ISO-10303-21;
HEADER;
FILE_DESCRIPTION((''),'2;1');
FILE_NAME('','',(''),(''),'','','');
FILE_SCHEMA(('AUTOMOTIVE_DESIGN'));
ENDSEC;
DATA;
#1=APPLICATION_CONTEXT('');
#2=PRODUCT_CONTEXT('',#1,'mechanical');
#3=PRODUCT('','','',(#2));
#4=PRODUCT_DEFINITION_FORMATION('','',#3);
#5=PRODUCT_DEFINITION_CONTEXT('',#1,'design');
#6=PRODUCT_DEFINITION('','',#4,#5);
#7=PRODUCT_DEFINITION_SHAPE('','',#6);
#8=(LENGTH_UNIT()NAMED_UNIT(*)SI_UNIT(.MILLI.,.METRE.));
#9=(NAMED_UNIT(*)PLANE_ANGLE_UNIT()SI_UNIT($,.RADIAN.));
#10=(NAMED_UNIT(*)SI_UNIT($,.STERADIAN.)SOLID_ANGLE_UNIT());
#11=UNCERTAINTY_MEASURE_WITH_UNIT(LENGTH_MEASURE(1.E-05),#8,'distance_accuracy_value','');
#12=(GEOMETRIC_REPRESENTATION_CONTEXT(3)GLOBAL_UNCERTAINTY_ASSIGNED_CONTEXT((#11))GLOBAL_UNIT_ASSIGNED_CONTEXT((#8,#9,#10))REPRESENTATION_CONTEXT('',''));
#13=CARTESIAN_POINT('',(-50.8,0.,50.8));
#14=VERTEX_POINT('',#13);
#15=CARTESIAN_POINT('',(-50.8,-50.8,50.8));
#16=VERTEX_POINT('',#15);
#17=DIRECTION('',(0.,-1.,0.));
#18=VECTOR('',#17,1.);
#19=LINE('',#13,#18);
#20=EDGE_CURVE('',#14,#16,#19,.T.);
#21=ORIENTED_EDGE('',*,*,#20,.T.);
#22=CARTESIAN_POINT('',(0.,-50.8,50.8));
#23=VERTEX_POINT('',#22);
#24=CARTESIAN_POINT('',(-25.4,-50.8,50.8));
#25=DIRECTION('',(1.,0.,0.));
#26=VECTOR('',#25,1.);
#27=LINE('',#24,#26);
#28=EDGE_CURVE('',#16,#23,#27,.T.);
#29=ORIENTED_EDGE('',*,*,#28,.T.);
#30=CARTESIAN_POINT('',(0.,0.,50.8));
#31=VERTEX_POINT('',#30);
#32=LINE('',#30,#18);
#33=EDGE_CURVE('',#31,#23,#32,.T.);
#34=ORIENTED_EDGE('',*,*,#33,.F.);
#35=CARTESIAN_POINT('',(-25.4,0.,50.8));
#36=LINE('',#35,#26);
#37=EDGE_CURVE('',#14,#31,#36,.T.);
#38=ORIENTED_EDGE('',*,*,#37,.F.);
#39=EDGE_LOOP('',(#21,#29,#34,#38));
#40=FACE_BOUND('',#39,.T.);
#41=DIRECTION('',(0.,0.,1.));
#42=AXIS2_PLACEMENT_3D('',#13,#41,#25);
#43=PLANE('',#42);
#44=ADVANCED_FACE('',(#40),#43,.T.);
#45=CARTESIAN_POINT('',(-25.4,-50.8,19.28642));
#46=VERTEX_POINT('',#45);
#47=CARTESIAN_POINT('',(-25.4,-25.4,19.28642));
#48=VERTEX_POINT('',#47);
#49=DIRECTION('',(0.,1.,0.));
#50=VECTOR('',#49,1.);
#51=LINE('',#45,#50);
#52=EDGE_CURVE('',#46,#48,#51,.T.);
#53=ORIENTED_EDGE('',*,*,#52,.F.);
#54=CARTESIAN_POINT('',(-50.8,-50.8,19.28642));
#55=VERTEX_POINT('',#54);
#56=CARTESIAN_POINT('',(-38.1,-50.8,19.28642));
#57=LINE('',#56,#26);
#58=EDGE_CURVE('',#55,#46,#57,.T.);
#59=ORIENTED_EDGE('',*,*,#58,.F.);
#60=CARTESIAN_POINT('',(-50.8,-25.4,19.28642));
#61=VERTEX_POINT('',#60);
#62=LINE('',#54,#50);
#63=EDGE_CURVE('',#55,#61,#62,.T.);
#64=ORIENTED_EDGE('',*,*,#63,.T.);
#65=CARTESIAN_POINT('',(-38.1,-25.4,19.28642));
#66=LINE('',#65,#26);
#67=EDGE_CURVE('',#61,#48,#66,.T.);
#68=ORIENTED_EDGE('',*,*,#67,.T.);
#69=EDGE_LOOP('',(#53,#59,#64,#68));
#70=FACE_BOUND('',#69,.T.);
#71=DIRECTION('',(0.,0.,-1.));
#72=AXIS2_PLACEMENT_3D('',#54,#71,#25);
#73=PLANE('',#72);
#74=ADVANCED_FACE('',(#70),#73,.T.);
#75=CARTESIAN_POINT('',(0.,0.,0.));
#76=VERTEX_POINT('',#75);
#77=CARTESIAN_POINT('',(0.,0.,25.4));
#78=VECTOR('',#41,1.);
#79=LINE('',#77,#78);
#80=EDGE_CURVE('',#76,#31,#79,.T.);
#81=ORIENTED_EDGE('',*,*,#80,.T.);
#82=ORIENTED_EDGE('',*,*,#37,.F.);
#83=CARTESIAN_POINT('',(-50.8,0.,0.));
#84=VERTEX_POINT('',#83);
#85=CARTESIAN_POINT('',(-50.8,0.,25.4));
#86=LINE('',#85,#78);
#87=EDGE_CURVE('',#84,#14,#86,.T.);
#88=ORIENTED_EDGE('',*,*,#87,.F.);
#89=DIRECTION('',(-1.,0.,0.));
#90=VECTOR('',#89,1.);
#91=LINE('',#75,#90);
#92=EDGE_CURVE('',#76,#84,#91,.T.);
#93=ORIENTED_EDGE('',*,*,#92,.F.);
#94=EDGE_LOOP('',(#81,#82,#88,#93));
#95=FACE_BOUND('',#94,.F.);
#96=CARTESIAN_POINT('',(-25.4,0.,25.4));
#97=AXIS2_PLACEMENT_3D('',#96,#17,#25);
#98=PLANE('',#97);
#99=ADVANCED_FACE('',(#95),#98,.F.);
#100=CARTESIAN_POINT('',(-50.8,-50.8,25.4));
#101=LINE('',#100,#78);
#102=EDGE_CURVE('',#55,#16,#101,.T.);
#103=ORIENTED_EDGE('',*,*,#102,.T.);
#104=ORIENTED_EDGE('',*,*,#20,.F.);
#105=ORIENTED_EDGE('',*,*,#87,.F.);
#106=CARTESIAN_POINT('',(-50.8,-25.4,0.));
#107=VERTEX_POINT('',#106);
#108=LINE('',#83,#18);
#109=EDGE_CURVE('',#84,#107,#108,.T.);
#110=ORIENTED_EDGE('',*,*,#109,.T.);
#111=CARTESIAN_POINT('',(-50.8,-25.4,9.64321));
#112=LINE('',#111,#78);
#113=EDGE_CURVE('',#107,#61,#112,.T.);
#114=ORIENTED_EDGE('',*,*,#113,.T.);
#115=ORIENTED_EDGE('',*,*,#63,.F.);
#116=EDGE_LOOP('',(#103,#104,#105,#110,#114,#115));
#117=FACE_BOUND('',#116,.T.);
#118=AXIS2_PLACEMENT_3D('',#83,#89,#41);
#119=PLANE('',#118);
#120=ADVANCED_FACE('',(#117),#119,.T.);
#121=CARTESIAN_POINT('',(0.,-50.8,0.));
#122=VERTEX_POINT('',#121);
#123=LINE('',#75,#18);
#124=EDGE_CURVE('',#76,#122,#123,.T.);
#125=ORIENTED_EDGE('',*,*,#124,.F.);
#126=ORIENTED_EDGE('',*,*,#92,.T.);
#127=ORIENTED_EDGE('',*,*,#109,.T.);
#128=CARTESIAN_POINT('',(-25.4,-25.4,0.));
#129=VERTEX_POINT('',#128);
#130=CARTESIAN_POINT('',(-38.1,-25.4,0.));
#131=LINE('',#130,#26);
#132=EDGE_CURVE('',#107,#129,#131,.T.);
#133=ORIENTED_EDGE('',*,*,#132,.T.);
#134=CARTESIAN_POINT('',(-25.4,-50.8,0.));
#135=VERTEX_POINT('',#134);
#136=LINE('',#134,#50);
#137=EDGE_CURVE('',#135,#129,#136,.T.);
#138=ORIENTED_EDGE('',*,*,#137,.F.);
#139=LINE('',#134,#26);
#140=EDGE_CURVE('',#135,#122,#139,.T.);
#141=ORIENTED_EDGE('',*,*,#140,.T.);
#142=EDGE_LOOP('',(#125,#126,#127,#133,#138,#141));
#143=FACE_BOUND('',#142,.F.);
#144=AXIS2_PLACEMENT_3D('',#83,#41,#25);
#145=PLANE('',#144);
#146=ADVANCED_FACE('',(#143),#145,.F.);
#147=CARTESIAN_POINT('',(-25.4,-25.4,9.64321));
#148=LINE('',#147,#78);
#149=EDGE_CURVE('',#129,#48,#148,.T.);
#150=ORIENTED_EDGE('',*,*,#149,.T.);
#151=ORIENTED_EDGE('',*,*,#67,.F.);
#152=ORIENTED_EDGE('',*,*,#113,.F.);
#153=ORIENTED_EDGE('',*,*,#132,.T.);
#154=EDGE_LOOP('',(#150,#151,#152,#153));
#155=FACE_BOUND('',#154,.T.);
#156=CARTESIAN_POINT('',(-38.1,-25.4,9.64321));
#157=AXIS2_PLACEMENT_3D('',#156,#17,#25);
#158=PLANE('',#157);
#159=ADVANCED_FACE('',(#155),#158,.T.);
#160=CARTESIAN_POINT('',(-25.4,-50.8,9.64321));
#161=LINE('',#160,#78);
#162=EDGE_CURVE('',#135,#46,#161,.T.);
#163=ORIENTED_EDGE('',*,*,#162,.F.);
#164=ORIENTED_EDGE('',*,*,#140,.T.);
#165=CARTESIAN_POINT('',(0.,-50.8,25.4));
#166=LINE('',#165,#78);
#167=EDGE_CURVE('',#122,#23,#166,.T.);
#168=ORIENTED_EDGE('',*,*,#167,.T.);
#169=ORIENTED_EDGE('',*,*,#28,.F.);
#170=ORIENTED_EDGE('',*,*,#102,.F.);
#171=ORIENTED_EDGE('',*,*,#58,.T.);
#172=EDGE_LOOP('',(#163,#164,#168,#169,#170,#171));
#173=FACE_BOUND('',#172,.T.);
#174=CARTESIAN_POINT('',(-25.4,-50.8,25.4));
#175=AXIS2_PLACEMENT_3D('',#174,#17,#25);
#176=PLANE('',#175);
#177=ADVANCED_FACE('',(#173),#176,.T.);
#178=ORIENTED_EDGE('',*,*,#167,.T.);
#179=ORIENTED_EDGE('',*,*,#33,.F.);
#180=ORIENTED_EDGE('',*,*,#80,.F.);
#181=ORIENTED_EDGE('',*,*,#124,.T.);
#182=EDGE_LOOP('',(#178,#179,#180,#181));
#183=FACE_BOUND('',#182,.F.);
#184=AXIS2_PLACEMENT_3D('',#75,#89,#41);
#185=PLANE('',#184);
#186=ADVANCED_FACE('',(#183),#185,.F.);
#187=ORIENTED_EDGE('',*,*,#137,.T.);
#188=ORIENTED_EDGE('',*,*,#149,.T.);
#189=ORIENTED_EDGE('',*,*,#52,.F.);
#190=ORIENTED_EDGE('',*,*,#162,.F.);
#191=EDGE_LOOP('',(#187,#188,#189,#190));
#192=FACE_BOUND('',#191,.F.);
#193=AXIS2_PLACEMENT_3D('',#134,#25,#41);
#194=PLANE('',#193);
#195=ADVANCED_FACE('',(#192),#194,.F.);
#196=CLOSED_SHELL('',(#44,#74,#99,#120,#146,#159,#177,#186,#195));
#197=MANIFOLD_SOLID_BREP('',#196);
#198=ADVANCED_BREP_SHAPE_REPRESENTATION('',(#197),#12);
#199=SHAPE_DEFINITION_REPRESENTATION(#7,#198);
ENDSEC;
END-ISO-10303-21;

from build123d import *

# Parameters (mm, degrees)
F0_W     = 50.8
F0_H     = 50.8
F1_DEPTH = 50.8
F2_W     = 25.4
F2_H     = 25.4
F3_DEPTH = 25.4
F4_W     = 25.4
F4_H     = 25.4
F5_DEPTH = 25.4
F6_W     = 25.4
F6_H     = 19.28642
F7_DEPTH = 25.4


with BuildPart() as f1:
    # F0 (on Front) → F1 (new body)
    with BuildSketch(Plane.XZ):
        with Locations((-25.4, 25.4)):
            Rectangle(F0_W, F0_H)
    extrude(amount=F1_DEPTH)

    # F2 (on Front) → F3 (cut)
    with BuildSketch(Plane.XZ):
        with Locations((-37.521074, 12.7)):
            Rectangle(F2_W, F2_H)
    extrude(amount=-F3_DEPTH, mode=Mode.SUBTRACT)

    # F4 (on Front) → F5 (cut)
    with BuildSketch(Plane.XZ):
        with Locations((-37.33012, 12.7)):
            Rectangle(F4_W, F4_H)
    extrude(amount=-F5_DEPTH, mode=Mode.SUBTRACT)

    # F6 (on face) → F7 (cut)
    with BuildSketch(Plane.XZ.offset(50.8)):
        with Locations((-38.1, 9.64321)):
            Rectangle(F6_W, F6_H)
    extrude(amount=-F7_DEPTH, mode=Mode.SUBTRACT)


solid = f1.part
